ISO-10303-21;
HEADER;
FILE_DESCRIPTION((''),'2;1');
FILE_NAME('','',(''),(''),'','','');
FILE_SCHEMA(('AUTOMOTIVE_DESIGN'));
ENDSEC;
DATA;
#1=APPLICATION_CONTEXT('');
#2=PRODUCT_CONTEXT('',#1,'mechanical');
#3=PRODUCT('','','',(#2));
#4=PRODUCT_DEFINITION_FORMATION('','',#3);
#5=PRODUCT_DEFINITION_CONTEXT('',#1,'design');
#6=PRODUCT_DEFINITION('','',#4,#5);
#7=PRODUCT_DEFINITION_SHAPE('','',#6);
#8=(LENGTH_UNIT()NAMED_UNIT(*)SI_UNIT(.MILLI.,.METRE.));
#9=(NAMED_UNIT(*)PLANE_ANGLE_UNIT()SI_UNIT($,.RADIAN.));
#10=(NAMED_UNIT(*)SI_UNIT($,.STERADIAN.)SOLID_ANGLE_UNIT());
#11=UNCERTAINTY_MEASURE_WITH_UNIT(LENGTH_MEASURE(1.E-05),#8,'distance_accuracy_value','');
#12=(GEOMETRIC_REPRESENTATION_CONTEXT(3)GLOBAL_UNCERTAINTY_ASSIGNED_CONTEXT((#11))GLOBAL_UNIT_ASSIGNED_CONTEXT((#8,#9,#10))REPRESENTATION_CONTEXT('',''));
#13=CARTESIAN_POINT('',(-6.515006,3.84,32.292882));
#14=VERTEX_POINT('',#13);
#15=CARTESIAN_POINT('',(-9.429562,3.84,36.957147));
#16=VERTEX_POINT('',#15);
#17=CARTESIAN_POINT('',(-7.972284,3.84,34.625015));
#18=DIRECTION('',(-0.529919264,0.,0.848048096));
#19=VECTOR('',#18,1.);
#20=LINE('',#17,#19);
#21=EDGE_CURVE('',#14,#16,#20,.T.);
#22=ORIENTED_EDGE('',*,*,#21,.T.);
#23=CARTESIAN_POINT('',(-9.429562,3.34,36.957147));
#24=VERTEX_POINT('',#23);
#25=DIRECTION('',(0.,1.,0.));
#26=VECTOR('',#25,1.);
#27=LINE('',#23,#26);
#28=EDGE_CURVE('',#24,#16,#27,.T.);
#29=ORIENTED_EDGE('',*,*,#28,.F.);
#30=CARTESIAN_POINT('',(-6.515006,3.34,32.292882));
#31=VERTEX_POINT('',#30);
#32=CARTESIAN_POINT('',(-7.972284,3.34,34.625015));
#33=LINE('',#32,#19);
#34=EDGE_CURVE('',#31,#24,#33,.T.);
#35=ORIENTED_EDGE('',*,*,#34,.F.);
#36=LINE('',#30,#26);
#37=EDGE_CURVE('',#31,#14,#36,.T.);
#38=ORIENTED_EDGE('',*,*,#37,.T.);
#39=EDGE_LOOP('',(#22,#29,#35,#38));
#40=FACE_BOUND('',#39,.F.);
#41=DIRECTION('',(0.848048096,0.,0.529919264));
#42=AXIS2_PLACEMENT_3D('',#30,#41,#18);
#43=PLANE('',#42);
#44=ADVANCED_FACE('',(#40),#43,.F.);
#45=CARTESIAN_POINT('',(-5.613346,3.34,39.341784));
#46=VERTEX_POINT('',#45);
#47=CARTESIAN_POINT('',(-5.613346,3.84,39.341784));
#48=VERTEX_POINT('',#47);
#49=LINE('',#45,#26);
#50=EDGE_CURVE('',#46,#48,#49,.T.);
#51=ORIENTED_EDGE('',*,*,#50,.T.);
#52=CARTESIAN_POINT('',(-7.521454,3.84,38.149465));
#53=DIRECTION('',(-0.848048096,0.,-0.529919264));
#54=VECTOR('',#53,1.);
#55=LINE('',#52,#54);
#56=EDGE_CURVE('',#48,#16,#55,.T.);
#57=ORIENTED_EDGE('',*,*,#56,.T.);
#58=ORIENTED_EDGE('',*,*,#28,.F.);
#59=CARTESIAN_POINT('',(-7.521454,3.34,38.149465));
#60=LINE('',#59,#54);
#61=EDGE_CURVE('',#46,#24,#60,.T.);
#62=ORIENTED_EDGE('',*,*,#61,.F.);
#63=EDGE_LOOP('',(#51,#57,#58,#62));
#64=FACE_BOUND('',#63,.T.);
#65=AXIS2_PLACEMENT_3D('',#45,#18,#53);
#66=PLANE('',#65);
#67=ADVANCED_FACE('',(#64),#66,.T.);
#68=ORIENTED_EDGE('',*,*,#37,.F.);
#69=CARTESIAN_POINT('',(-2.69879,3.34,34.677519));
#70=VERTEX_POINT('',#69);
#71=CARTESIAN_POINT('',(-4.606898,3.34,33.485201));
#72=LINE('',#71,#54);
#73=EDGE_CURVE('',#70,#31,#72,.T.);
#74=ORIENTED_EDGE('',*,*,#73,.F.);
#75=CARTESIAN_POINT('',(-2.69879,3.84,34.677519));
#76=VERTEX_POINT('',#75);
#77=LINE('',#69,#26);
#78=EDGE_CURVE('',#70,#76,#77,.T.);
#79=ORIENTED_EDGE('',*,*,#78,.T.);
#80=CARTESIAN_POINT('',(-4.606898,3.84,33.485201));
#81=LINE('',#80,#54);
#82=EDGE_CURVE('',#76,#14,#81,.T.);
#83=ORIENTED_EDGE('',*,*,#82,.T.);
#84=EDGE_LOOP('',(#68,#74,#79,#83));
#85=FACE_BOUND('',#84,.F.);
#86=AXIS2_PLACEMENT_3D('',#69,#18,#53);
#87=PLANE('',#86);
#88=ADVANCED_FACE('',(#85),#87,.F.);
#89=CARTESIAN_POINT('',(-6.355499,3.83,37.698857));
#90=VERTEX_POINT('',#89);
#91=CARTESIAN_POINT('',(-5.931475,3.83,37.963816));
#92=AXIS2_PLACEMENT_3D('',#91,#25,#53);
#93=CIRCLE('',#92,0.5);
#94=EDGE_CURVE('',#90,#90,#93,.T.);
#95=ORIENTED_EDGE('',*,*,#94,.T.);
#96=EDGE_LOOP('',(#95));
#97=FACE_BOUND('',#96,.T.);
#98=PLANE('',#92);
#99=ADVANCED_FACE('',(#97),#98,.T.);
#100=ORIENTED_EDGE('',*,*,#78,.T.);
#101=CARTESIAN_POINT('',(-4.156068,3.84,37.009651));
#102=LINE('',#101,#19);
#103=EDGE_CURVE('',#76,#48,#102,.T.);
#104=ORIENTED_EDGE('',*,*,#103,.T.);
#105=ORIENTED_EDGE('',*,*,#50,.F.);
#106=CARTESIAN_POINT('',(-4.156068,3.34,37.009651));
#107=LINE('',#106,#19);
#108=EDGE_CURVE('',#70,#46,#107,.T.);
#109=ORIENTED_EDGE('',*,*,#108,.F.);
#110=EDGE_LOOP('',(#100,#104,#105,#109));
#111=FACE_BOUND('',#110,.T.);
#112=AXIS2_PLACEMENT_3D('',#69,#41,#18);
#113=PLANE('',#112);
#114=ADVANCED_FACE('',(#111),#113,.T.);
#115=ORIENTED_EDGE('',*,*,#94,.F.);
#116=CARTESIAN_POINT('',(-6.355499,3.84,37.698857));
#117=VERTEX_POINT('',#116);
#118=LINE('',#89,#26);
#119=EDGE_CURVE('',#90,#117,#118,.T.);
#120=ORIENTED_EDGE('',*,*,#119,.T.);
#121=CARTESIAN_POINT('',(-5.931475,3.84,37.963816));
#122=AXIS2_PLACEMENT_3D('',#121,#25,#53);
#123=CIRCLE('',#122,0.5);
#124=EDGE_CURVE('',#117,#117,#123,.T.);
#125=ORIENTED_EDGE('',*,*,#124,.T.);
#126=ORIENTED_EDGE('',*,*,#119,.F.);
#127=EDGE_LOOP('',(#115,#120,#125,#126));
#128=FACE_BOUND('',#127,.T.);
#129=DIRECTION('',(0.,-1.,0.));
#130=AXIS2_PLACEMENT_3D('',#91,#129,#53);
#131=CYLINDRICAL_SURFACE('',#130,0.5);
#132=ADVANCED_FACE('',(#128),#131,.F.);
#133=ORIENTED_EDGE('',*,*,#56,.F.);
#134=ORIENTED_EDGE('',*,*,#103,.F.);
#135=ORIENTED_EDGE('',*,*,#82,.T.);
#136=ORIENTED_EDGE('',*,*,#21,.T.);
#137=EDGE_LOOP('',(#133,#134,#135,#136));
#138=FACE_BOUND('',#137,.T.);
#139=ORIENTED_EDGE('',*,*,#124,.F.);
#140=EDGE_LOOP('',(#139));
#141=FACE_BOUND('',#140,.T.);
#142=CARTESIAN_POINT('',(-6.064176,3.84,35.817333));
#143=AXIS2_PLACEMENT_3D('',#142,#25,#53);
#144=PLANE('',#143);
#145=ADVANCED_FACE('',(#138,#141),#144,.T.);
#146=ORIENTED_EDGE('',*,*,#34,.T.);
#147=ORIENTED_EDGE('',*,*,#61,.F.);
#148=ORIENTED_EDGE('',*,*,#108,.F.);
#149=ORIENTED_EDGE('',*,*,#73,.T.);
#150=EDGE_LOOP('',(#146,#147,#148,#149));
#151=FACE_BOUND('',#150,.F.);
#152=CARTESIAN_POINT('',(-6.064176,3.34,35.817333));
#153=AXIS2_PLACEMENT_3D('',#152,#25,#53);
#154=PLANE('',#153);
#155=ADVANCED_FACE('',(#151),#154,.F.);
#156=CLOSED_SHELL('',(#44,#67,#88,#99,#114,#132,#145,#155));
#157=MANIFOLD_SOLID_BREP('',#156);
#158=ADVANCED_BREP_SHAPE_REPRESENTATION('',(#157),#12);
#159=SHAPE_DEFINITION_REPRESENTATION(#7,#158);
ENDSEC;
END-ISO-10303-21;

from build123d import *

# Parameters (mm, degrees)
CYLINDER069_R          = 0.5
CYLINDER069_DEPTH      = 0.01
BOX154_W               = 4.5
BOX154_H               = 5.5
BOX154_DEPTH           = 0.5
CUT073_ROLL_ANGLE      = 90
CUT073_PITCH_ANGLE     = 32
CUT073_PLACEMENT_ANGLE = -180


with BuildPart() as cylinder069:
    # Cylinder069 → Cylinder069 (new body)
    with BuildSketch(Plane(origin=(1, 4.5, 0.49), x_dir=(1, 0, 0), z_dir=(0, 0, 1))):
        Circle(CYLINDER069_R)
    extrude(amount=CYLINDER069_DEPTH)


with BuildPart() as small_linbo3_plate071:
    # Box154 → Box154 (new body)
    with BuildSketch(Plane.XY):
        with Locations((2.25, 2.75)):
            Rectangle(BOX154_W, BOX154_H)
    extrude(amount=BOX154_DEPTH)

    # Cut073: cut Cylinder069
    add(cylinder069.part, mode=Mode.SUBTRACT)


with BuildPart() as small_linbo3_plate071_1:
    # Cut073 roll: moved
    add(small_linbo3_plate071.part.rotate(Axis((0, 0, 0), (1, 0, 0)), CUT073_ROLL_ANGLE))


with BuildPart() as small_linbo3_plate071_2:
    # Cut073 pitch: moved
    add(small_linbo3_plate071_1.part.rotate(Axis((0, 0, 0), (0, 1, 0)), CUT073_PITCH_ANGLE))


with BuildPart() as small_linbo3_plate071_3:
    # Cut073 placement: moved
    add(small_linbo3_plate071_2.part.moved(Location((-2.69879, 3.34, 34.677519))).rotate(Axis((-2.69879, 3.34, 34.677519), (0, 0, 1)), CUT073_PLACEMENT_ANGLE))


solid = small_linbo3_plate071_3.part
